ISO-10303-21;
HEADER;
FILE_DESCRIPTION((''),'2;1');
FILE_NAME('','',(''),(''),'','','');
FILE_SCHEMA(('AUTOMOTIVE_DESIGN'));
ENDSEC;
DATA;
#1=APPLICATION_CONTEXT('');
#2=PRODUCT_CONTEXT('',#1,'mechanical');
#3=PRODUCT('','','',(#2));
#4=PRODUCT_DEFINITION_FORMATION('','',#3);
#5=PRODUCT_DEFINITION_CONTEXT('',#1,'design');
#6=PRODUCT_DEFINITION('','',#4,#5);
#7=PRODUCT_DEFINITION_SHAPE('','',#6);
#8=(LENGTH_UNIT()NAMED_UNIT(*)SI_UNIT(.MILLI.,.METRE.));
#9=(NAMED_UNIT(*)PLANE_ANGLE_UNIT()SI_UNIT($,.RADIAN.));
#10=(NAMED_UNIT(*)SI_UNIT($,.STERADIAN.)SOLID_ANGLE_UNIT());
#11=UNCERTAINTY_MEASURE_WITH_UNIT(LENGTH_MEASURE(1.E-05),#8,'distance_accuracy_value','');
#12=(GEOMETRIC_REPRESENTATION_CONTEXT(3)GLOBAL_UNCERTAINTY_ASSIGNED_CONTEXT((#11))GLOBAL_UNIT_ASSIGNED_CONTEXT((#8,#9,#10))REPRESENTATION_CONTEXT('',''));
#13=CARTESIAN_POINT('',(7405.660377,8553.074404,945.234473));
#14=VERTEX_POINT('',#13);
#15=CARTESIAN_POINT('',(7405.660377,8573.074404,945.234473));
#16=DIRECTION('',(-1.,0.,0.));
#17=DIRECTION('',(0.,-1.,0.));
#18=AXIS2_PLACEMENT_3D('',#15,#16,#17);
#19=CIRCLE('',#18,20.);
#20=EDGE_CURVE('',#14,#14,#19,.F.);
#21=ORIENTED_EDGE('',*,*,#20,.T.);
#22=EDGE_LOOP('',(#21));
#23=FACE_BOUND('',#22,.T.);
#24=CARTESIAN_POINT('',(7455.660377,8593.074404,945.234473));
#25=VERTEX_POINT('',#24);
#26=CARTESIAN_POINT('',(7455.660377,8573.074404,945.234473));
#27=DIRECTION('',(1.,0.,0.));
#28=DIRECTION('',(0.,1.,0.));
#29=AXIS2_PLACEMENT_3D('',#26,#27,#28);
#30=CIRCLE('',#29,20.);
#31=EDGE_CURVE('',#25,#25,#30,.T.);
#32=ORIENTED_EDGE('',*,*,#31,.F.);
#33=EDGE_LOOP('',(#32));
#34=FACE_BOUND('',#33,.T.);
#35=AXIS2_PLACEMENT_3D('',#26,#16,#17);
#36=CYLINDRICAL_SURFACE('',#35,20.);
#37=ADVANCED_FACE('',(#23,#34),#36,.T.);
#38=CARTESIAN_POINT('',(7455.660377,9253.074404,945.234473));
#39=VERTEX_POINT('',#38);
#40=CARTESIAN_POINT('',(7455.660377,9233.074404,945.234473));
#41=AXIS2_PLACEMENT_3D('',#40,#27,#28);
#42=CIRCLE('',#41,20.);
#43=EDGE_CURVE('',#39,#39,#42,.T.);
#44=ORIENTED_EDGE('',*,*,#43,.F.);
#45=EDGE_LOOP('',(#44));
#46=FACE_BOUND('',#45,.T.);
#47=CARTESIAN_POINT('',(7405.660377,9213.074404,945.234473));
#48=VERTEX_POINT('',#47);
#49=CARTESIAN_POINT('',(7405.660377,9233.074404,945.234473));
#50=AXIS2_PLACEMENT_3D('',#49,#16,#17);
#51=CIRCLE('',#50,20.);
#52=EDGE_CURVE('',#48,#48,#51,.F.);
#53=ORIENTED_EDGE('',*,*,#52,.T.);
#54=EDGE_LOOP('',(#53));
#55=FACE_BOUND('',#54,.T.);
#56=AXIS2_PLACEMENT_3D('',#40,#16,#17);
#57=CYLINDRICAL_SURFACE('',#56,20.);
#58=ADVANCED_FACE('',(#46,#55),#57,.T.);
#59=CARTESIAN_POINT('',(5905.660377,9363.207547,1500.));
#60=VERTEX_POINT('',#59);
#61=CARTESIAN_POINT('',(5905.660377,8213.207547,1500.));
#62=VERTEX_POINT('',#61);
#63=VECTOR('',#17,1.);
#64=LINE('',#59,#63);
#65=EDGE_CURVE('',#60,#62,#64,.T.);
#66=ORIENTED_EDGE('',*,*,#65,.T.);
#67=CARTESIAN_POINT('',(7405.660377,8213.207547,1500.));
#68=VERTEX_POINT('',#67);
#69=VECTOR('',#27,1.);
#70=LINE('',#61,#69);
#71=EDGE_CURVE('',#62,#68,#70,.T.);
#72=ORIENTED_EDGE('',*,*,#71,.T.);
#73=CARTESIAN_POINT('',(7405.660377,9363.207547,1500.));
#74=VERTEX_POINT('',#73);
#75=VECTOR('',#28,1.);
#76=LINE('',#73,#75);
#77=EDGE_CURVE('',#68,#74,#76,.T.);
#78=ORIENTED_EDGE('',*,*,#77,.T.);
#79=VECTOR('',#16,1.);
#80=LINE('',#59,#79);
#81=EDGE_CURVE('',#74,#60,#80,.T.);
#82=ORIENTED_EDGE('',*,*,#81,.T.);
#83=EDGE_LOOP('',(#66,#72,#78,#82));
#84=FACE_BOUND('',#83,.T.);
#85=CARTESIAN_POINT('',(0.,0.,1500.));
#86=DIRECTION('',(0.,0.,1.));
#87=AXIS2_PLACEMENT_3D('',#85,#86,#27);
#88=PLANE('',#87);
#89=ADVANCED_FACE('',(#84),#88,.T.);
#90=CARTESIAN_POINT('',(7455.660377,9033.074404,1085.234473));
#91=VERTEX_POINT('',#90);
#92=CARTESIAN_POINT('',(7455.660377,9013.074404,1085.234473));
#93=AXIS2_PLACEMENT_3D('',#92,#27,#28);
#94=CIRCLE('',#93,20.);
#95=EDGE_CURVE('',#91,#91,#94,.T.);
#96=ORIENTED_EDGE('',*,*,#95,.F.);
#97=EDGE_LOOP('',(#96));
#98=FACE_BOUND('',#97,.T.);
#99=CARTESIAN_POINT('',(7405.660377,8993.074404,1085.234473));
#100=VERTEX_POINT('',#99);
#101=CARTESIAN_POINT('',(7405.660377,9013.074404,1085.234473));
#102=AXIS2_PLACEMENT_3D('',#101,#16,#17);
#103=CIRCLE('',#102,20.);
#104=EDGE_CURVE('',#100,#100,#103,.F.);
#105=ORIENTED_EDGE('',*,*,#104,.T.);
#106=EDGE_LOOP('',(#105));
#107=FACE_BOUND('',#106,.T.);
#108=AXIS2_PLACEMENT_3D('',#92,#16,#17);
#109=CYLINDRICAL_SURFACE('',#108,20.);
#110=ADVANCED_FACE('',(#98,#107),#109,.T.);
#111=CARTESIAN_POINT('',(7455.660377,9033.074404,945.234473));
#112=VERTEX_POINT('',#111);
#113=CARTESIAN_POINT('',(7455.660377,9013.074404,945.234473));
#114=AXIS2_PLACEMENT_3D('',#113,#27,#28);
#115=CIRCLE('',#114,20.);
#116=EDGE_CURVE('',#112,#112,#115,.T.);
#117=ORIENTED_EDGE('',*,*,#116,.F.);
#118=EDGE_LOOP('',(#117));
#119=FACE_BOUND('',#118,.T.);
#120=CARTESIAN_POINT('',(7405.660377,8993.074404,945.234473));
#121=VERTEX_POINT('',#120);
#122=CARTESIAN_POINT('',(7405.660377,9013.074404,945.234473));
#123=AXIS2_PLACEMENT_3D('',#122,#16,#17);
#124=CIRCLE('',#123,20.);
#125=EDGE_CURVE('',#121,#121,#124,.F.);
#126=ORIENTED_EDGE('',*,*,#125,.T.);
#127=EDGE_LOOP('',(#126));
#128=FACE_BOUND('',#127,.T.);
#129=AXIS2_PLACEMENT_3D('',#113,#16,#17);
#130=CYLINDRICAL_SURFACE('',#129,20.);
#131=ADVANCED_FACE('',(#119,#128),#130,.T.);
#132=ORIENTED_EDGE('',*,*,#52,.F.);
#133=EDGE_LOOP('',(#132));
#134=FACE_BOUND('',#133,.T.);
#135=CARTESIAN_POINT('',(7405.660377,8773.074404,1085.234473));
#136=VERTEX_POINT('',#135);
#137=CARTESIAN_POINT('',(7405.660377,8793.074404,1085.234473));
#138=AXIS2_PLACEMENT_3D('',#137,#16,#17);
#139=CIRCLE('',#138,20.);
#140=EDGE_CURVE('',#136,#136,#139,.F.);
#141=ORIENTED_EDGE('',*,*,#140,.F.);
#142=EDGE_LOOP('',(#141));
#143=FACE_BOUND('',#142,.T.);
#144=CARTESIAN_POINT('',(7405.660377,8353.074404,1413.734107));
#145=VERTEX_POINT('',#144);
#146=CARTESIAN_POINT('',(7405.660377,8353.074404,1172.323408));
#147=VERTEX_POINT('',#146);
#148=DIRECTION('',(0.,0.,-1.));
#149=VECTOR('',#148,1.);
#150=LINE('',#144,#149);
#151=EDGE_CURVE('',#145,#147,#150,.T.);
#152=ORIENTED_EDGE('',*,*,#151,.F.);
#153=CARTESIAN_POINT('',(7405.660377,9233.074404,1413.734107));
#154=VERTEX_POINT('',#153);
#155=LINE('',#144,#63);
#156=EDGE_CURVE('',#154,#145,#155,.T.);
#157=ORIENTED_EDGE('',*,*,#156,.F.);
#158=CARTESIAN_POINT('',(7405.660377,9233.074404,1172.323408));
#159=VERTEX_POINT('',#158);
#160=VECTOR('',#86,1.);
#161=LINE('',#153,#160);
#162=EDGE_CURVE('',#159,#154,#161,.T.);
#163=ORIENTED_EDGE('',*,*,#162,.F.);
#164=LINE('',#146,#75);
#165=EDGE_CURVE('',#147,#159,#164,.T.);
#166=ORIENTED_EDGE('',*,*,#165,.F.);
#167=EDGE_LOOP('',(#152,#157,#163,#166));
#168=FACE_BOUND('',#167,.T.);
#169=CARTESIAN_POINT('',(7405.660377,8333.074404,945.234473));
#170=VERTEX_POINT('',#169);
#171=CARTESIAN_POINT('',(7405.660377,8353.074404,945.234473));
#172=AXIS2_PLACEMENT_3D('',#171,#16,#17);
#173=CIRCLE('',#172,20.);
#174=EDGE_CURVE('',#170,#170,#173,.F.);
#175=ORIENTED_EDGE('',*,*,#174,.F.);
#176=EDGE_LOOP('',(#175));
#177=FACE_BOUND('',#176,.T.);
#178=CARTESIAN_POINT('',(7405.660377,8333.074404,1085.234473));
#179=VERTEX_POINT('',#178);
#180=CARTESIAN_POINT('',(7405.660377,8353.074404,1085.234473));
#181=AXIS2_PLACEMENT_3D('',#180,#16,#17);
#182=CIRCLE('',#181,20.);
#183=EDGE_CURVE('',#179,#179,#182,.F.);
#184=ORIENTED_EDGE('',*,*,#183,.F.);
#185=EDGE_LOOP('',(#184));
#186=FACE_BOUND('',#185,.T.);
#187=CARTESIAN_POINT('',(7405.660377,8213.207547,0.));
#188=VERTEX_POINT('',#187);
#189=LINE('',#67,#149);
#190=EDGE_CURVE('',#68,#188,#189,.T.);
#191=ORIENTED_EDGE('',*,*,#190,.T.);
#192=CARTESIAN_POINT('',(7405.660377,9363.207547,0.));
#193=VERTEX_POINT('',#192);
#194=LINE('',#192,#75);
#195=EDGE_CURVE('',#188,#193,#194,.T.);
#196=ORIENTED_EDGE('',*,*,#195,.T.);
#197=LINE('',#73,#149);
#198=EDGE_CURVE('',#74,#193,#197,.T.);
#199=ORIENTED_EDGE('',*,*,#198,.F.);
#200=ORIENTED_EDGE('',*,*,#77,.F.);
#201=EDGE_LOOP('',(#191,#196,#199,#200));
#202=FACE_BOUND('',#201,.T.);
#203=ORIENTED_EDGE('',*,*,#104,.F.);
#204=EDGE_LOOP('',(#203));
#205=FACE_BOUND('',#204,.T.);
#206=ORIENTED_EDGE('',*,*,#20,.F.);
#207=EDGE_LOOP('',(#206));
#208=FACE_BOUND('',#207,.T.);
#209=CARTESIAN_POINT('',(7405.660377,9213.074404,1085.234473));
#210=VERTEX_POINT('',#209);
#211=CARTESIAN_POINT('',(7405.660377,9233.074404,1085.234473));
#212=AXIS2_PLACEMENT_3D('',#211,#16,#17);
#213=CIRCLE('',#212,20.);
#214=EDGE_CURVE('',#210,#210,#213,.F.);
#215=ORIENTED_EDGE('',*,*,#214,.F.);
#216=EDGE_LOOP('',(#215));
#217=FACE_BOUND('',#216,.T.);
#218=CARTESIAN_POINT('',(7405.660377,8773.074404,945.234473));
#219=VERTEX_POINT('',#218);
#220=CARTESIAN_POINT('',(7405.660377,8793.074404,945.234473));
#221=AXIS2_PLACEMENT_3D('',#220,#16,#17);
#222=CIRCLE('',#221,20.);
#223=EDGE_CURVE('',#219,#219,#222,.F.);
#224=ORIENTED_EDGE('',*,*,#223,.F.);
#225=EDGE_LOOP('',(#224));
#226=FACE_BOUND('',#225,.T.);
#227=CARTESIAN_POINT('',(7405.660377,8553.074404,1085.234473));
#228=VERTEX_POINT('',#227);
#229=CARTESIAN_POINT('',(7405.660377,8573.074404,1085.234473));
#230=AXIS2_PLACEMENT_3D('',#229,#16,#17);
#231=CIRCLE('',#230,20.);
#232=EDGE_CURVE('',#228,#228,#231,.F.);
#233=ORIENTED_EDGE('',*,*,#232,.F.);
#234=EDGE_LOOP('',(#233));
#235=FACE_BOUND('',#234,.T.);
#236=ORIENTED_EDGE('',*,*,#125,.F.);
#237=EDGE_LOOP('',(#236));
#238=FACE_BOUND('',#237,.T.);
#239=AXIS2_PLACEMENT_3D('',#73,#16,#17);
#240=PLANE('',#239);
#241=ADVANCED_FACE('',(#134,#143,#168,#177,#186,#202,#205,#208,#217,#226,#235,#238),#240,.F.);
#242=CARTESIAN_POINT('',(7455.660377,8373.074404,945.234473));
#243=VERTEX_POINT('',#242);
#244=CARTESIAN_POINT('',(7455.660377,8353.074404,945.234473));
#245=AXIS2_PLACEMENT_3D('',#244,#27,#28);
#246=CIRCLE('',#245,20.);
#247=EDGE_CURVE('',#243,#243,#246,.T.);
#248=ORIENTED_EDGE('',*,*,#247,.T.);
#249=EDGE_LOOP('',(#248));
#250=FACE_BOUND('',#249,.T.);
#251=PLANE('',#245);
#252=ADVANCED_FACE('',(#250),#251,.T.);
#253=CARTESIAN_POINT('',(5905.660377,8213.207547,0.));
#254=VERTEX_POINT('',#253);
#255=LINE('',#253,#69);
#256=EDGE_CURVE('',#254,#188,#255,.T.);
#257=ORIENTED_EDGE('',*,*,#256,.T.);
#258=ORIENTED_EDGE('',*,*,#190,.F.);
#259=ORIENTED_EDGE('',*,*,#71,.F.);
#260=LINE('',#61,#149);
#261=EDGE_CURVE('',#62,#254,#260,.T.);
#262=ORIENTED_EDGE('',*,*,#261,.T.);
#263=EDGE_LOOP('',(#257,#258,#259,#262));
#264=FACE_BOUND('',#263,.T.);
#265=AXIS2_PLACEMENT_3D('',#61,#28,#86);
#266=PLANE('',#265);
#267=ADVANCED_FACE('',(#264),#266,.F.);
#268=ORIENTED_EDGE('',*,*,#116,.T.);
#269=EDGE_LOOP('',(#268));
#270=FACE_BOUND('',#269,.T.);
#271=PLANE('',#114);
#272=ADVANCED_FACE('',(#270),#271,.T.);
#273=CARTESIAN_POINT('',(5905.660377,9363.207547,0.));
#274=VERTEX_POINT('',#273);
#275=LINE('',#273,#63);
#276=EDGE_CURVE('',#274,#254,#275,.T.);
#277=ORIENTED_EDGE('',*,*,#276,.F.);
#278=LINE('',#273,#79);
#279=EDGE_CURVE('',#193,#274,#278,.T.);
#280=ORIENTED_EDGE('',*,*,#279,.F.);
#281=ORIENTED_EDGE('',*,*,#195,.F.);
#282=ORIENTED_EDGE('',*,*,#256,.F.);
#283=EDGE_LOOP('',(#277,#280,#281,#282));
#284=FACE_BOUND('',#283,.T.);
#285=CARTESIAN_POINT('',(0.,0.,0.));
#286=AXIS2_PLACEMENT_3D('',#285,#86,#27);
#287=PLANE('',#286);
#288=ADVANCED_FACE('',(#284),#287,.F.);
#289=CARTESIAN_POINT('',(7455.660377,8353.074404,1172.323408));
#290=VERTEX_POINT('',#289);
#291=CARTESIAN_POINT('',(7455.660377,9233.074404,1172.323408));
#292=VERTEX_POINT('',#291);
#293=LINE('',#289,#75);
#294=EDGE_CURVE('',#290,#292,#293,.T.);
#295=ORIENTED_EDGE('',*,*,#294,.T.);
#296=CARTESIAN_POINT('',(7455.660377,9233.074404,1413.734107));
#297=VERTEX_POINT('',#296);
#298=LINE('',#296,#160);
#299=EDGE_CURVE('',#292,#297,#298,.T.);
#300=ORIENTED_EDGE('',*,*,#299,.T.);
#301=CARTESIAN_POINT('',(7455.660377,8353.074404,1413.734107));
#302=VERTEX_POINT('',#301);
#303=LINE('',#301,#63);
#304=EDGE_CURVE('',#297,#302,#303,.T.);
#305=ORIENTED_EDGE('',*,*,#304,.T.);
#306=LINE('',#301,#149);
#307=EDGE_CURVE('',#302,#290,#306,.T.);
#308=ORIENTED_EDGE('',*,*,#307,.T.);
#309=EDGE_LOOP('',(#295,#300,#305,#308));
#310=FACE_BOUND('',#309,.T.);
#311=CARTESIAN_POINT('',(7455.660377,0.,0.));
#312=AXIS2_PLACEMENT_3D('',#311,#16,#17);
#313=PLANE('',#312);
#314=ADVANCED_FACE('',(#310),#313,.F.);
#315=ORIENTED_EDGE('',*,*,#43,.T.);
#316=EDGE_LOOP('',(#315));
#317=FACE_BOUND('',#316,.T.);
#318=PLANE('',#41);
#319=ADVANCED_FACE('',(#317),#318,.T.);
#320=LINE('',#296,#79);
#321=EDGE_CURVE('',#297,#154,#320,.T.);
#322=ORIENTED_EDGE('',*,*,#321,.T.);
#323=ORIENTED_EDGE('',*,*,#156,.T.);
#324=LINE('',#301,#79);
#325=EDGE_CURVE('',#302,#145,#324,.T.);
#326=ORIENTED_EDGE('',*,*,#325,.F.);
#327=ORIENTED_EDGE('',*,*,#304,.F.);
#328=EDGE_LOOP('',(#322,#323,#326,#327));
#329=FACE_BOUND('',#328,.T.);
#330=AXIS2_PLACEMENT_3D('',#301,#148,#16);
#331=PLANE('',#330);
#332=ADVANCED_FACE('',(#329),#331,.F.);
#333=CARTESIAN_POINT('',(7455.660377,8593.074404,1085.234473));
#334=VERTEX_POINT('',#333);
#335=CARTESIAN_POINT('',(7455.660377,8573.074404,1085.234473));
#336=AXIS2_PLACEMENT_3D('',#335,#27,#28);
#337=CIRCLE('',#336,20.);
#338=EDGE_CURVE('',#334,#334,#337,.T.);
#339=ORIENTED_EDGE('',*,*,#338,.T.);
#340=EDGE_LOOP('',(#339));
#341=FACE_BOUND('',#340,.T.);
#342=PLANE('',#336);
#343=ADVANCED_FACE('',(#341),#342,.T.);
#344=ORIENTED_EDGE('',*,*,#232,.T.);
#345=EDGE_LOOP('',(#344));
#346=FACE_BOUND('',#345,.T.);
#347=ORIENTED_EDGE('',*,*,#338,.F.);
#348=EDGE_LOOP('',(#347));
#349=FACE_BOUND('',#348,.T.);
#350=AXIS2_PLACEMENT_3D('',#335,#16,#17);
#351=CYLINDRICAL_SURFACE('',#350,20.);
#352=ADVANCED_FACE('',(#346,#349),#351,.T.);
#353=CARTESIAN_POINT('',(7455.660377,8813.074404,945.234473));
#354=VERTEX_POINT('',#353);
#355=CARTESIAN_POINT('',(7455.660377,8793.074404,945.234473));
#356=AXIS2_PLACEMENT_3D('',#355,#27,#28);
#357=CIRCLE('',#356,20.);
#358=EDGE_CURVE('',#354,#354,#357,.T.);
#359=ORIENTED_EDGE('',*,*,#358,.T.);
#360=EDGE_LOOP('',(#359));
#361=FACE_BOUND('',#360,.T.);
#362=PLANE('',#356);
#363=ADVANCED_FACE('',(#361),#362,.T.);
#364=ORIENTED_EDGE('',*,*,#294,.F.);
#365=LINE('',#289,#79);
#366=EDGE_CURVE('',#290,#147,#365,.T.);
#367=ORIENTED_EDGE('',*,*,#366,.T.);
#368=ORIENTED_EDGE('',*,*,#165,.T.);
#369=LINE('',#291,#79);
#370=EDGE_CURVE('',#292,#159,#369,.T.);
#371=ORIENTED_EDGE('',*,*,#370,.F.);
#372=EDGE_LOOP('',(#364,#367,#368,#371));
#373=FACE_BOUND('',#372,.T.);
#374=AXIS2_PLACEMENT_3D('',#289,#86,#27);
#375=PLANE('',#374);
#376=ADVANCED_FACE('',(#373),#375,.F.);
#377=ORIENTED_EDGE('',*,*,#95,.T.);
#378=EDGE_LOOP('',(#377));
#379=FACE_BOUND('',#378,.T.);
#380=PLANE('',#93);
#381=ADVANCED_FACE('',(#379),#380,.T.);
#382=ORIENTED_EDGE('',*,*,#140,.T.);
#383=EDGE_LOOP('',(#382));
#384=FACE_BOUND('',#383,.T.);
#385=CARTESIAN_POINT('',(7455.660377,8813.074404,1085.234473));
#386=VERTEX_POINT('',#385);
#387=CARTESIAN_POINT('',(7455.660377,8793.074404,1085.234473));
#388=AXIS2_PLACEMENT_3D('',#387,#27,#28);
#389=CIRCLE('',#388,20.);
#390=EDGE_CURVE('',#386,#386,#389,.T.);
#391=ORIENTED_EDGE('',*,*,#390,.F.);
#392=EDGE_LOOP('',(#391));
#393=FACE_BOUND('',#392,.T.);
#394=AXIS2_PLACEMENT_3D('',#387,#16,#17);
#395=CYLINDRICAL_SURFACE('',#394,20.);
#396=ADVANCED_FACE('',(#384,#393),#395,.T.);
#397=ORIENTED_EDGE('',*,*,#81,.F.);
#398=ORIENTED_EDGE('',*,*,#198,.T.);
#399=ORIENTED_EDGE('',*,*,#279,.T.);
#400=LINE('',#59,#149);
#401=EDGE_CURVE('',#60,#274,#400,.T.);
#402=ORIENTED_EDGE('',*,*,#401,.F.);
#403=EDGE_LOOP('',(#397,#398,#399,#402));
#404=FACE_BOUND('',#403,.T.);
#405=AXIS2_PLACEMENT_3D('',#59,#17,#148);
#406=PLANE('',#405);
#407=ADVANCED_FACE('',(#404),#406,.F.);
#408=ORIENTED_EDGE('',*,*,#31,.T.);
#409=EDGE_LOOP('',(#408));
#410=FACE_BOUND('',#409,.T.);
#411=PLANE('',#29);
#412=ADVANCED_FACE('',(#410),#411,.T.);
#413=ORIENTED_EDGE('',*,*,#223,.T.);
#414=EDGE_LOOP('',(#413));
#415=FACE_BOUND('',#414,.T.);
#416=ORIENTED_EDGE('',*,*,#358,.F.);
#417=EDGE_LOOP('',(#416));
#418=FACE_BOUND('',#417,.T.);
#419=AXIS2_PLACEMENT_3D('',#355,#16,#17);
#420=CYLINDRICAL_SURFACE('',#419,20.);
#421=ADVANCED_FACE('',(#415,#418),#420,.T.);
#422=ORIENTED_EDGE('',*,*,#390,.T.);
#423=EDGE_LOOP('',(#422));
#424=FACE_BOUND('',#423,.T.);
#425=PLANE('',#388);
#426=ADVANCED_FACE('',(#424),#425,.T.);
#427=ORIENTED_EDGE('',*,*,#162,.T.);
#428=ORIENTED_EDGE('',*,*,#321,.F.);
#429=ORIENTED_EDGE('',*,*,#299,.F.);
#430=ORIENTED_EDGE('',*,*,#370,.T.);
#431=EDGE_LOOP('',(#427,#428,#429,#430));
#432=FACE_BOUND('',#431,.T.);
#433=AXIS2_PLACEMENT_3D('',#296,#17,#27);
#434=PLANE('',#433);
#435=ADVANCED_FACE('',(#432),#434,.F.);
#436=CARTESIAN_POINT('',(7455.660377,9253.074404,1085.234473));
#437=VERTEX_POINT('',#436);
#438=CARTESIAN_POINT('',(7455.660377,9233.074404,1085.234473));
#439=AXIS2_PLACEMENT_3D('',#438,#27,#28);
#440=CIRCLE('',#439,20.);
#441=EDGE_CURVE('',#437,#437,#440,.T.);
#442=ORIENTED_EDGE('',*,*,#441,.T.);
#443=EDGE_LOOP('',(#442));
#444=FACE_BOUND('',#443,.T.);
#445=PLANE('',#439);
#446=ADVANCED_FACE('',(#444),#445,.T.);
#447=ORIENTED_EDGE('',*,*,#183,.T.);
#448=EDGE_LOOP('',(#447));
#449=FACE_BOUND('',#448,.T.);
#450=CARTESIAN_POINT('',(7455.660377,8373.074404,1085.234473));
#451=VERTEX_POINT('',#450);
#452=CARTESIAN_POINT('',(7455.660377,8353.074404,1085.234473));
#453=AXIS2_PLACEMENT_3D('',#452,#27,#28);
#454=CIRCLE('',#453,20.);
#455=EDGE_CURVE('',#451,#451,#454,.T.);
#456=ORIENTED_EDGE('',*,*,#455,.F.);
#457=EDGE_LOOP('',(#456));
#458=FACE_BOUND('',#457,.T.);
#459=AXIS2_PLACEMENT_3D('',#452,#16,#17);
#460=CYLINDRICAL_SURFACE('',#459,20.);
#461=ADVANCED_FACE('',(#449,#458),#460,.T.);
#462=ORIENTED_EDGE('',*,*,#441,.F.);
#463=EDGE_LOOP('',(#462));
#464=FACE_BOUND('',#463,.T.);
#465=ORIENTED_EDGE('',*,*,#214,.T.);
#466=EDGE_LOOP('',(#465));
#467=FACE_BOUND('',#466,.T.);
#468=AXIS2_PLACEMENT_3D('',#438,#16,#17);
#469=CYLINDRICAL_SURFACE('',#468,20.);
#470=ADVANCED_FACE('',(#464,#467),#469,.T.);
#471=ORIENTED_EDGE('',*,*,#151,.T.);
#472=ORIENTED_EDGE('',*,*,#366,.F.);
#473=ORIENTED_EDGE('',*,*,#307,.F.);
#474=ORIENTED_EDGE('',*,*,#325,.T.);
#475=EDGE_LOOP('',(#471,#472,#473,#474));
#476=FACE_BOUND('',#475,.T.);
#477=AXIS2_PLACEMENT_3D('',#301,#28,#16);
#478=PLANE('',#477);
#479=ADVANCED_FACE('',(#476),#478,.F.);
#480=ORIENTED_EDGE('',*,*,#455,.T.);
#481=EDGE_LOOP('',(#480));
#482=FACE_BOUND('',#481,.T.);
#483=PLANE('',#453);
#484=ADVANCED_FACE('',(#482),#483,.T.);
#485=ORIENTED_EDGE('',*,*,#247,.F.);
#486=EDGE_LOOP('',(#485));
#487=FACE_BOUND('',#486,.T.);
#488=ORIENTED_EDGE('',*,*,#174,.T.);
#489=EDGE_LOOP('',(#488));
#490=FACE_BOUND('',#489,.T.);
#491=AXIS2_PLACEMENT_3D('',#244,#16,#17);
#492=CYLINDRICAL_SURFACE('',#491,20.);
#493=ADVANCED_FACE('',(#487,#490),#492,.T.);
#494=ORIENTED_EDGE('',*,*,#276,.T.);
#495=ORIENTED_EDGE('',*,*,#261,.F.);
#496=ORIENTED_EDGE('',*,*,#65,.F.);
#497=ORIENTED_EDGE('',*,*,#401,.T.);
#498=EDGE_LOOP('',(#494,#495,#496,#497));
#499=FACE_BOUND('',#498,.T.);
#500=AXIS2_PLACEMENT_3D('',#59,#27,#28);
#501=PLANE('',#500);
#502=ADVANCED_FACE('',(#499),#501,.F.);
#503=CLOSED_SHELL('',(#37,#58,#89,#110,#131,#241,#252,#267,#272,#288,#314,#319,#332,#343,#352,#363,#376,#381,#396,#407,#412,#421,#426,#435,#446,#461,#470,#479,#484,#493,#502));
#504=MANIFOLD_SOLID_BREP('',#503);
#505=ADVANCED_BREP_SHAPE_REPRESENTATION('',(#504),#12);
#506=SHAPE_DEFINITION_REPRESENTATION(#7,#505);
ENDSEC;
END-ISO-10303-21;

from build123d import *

# Parameters (mm, degrees)
SKETCH1_W           = 1500
SKETCH1_H           = 1150
BOSS_EXTRUDE1_DEPTH = 1500
SKETCH2_R           = 20
SKETCH2_W           = 241.410698637
SKETCH2_H           = 880
BOSS_EXTRUDE2_DEPTH = 50


with BuildPart() as part:
    # Sketch1 → Boss-Extrude1 (new body)
    with BuildSketch(Plane.XY):
        with Locations((6655.660377358, 8788.20754717)):
            Rectangle(SKETCH1_W, SKETCH1_H)
    extrude(amount=BOSS_EXTRUDE1_DEPTH)

    # Sketch2 → Boss-Extrude2 (add)
    with BuildSketch(Plane(origin=(7405.660377359, 0, 0), x_dir=(0, 0, -1), z_dir=(1, 0, 0))):
        with Locations(Location((-1085.234472632, 8353.074404115, 0), (0, 0, 270))):
            Circle(SKETCH2_R)
        with Locations(Location((-945.234472632, 8353.074404115, 0), (0, 0, 270))):
            Circle(SKETCH2_R)
        with Locations(Location((-945.234472632, 8573.074404115, 0), (0, 0, 270))):
            Circle(SKETCH2_R)
        with Locations(Location((-945.234472632, 8793.074404115, 0), (0, 0, 270))):
            Circle(SKETCH2_R)
        with Locations(Location((-945.234472632, 9013.074404115, 0), (0, 0, 270))):
            Circle(SKETCH2_R)
        with Locations(Location((-945.234472632, 9233.074404115, 0), (0, 0, 270))):
            Circle(SKETCH2_R)
        with Locations(Location((-1085.234472632, 8573.074404115, 0), (0, 0, 270))):
            Circle(SKETCH2_R)
        with Locations(Location((-1085.234472632, 8793.074404115, 0), (0, 0, 270))):
            Circle(SKETCH2_R)
        with Locations(Location((-1085.234472632, 9013.074404115, 0), (0, 0, 270))):
            Circle(SKETCH2_R)
        with Locations(Location((-1085.234472632, 9233.074404115, 0), (0, 0, 270))):
            Circle(SKETCH2_R)
        with Locations((-1293.028757662, 8793.074404115)):
            Rectangle(SKETCH2_W, SKETCH2_H)
    extrude(amount=BOSS_EXTRUDE2_DEPTH)


solid = part.part
